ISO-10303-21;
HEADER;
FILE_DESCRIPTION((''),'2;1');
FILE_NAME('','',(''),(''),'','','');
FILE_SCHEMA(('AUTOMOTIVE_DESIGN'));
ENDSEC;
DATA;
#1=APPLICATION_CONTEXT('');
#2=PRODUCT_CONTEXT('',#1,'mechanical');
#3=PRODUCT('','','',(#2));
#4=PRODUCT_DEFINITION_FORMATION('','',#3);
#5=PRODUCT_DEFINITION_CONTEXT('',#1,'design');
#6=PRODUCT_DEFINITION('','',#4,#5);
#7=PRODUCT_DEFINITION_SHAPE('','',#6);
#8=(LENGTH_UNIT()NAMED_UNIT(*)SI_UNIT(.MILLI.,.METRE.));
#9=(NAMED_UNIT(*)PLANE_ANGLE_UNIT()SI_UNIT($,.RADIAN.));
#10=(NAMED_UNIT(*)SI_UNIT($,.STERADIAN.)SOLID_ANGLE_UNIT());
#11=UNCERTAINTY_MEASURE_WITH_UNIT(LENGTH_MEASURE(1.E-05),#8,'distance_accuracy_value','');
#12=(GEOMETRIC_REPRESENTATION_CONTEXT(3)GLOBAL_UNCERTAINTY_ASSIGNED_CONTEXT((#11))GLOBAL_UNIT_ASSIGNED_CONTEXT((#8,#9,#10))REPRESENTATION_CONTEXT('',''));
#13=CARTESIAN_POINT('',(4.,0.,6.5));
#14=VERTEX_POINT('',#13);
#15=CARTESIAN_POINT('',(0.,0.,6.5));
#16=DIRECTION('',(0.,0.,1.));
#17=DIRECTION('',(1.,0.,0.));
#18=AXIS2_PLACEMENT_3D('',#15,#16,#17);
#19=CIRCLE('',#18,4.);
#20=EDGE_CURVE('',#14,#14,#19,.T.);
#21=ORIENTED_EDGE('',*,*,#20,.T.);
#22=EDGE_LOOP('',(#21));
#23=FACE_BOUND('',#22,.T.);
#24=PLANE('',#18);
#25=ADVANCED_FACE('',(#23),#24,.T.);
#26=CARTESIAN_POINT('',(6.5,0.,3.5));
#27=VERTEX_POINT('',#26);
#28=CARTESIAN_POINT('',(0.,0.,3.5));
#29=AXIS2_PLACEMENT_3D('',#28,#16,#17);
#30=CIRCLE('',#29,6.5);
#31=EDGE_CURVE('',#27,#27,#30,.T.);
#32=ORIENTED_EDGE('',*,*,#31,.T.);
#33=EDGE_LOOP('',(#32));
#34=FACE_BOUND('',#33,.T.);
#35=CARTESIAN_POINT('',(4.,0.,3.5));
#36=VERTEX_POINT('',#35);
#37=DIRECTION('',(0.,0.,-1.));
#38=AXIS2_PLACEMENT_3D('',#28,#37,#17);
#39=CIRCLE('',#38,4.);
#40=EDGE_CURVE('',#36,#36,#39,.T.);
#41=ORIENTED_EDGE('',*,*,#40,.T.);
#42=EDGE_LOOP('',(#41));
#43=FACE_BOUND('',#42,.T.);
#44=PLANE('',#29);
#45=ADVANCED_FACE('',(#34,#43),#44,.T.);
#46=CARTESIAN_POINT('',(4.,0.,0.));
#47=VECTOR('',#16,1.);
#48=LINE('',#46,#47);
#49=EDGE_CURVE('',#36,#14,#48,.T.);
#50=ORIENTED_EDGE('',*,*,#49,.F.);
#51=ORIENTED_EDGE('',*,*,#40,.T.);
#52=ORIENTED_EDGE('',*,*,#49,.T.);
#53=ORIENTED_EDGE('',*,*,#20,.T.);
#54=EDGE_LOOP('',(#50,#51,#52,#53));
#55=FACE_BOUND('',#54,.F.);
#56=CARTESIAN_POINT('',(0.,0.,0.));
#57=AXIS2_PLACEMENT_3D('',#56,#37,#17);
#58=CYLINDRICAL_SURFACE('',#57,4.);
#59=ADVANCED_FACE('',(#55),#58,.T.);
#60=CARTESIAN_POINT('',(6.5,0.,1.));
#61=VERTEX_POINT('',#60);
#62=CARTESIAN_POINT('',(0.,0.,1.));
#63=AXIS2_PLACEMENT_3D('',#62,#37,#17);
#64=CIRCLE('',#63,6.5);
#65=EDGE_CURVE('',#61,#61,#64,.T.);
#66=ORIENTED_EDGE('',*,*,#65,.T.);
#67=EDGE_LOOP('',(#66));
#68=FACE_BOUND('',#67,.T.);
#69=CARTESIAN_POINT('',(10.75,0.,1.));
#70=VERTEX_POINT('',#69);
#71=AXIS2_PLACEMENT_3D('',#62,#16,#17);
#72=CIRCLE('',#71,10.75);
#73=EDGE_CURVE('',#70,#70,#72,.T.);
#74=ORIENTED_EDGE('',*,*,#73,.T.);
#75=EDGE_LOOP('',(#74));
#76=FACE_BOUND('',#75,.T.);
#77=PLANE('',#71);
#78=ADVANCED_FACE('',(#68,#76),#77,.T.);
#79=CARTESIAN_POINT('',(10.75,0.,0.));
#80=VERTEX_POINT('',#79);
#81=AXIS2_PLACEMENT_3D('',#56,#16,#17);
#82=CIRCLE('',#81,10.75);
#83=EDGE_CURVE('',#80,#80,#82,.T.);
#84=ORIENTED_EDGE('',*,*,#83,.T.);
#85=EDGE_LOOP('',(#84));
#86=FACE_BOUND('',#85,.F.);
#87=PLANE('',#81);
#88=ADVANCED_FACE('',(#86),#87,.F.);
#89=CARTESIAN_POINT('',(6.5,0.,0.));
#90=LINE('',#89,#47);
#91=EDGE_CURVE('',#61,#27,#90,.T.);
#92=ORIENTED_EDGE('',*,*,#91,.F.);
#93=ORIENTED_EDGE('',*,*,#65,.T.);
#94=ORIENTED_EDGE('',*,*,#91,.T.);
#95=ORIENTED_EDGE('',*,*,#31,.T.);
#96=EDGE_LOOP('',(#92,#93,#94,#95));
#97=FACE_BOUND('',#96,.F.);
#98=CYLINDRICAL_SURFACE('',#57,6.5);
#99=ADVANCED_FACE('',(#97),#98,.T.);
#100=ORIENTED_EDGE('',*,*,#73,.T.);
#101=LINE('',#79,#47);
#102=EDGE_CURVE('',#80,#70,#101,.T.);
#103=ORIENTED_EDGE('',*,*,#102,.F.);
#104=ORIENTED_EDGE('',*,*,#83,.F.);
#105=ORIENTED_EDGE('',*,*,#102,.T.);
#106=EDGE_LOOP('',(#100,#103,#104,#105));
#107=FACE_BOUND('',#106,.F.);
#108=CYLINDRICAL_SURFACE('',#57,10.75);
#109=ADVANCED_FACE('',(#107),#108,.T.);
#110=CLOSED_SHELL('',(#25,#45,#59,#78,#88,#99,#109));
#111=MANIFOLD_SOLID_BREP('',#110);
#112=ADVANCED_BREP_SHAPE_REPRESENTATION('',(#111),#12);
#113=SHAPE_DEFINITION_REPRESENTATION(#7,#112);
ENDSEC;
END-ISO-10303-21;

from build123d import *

# Parameters (mm, degrees)
F0_R     = 10.75
F0_R_2   = 6.5
F0_R_3   = 4
F1_DEPTH = 1
F2_DEPTH = 3.5
F3_DEPTH = 6.5


with BuildPart() as f1:
    # F0 (on Top) → F1 (new body)
    with BuildSketch(Plane.XY):
        Circle(F0_R)
        Circle(F0_R_2, mode=Mode.SUBTRACT)
        Circle(F0_R_2)
        Circle(F0_R_3, mode=Mode.SUBTRACT)
        Circle(F0_R_3)
    extrude(amount=F1_DEPTH)

    # F0 (on Top) → F2 (join)
    with BuildSketch(Plane.XY):
        Circle(F0_R_2)
        Circle(F0_R_3, mode=Mode.SUBTRACT)
        Circle(F0_R_3)
    extrude(amount=F2_DEPTH)

    # F0 (on Top) → F3 (join)
    with BuildSketch(Plane.XY):
        Circle(F0_R_3)
    extrude(amount=F3_DEPTH)


solid = f1.part
